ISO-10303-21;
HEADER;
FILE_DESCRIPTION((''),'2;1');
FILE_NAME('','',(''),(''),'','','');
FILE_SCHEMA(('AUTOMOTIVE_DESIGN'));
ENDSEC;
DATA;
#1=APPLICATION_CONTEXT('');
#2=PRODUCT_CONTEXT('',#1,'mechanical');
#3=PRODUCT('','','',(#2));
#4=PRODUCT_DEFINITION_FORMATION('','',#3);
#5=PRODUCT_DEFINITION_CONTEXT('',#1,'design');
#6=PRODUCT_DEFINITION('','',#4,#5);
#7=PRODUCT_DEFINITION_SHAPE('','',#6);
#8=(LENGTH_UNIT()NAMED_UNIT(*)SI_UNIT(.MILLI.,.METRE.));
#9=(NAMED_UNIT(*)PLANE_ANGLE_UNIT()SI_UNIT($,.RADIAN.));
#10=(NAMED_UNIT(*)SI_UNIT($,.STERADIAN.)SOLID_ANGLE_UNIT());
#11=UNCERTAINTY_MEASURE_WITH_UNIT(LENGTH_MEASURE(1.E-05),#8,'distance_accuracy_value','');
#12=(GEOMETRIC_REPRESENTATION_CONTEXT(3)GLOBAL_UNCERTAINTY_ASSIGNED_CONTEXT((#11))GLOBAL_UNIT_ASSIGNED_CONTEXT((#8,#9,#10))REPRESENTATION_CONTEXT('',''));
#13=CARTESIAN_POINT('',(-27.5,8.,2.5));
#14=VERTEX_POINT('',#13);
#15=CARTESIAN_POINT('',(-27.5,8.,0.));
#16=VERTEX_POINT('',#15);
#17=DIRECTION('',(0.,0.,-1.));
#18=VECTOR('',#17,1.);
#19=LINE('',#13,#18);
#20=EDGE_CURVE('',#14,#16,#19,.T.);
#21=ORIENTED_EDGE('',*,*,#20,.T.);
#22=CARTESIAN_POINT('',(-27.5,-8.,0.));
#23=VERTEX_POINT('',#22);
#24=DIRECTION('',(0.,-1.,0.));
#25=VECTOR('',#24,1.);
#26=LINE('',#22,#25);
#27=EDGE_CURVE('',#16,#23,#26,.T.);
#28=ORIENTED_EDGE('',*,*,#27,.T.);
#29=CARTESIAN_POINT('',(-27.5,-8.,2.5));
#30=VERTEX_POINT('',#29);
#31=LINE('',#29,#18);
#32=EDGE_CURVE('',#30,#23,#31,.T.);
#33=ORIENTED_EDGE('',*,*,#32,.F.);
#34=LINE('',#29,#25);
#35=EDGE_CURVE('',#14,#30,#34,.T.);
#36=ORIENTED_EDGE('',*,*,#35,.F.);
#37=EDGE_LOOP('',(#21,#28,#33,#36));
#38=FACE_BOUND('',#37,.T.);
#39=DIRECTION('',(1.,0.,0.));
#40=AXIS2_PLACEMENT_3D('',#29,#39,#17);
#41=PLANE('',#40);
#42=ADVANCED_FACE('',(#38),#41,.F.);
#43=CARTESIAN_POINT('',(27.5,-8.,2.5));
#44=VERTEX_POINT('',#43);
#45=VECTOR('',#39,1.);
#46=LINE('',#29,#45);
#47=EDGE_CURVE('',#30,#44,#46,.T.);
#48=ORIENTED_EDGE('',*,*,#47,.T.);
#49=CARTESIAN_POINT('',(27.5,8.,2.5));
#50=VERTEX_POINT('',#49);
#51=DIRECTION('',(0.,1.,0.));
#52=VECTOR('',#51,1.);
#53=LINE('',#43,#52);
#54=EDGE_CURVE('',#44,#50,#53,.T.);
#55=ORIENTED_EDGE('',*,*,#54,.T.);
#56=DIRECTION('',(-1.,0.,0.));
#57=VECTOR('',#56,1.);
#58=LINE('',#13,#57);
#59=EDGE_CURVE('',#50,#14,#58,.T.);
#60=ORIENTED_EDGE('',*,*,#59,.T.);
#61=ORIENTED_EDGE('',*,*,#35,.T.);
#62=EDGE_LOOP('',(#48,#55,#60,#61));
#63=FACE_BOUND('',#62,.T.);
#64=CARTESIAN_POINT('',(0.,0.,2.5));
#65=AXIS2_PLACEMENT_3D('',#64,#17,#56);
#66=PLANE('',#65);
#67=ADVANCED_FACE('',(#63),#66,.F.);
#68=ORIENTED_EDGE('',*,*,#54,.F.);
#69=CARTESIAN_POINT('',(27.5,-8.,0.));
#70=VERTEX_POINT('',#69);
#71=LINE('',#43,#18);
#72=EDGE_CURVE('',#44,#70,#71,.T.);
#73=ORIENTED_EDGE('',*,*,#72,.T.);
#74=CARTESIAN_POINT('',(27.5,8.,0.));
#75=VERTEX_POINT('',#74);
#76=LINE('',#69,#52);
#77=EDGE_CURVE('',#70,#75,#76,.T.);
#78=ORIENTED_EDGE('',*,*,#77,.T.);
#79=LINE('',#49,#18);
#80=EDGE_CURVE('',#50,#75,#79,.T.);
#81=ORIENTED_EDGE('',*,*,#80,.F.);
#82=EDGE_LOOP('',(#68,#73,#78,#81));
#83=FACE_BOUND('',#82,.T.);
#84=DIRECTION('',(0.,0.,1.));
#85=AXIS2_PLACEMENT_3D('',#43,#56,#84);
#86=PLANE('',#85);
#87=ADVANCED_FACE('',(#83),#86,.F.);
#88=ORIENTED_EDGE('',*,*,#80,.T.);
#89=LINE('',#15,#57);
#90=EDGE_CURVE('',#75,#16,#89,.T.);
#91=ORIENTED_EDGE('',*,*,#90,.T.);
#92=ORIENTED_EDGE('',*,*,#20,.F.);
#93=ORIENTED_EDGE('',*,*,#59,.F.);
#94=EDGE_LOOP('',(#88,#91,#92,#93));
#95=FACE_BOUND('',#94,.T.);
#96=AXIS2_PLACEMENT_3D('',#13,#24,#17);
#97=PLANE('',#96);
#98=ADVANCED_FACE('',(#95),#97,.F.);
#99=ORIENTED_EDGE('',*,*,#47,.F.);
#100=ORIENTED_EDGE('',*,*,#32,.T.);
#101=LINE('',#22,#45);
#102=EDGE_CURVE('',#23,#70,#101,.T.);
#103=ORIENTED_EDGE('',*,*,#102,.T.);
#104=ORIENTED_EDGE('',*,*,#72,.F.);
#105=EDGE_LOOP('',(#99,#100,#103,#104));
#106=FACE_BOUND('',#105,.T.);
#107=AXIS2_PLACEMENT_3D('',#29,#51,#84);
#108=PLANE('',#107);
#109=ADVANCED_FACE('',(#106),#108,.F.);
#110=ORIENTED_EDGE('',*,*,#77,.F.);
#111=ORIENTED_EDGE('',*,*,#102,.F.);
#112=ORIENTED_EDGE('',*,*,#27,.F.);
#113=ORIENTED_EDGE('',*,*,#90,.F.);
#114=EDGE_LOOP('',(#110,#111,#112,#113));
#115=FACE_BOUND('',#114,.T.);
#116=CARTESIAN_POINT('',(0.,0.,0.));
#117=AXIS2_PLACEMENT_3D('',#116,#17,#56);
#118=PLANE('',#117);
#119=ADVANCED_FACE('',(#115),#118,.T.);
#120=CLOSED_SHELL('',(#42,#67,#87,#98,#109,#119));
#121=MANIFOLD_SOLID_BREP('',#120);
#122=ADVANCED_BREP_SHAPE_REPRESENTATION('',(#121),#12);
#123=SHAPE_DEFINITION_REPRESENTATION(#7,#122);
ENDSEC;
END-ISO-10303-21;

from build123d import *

# Parameters (mm, degrees)
SKETCH1_W           = 55
SKETCH1_H           = 16
BOSS_EXTRUDE1_DEPTH = 2.5


with BuildPart() as part:
    # Sketch1 → Boss-Extrude1 (new body)
    with BuildSketch(Plane.XY):
        Rectangle(SKETCH1_W, SKETCH1_H)
    extrude(amount=BOSS_EXTRUDE1_DEPTH)


solid = part.part
